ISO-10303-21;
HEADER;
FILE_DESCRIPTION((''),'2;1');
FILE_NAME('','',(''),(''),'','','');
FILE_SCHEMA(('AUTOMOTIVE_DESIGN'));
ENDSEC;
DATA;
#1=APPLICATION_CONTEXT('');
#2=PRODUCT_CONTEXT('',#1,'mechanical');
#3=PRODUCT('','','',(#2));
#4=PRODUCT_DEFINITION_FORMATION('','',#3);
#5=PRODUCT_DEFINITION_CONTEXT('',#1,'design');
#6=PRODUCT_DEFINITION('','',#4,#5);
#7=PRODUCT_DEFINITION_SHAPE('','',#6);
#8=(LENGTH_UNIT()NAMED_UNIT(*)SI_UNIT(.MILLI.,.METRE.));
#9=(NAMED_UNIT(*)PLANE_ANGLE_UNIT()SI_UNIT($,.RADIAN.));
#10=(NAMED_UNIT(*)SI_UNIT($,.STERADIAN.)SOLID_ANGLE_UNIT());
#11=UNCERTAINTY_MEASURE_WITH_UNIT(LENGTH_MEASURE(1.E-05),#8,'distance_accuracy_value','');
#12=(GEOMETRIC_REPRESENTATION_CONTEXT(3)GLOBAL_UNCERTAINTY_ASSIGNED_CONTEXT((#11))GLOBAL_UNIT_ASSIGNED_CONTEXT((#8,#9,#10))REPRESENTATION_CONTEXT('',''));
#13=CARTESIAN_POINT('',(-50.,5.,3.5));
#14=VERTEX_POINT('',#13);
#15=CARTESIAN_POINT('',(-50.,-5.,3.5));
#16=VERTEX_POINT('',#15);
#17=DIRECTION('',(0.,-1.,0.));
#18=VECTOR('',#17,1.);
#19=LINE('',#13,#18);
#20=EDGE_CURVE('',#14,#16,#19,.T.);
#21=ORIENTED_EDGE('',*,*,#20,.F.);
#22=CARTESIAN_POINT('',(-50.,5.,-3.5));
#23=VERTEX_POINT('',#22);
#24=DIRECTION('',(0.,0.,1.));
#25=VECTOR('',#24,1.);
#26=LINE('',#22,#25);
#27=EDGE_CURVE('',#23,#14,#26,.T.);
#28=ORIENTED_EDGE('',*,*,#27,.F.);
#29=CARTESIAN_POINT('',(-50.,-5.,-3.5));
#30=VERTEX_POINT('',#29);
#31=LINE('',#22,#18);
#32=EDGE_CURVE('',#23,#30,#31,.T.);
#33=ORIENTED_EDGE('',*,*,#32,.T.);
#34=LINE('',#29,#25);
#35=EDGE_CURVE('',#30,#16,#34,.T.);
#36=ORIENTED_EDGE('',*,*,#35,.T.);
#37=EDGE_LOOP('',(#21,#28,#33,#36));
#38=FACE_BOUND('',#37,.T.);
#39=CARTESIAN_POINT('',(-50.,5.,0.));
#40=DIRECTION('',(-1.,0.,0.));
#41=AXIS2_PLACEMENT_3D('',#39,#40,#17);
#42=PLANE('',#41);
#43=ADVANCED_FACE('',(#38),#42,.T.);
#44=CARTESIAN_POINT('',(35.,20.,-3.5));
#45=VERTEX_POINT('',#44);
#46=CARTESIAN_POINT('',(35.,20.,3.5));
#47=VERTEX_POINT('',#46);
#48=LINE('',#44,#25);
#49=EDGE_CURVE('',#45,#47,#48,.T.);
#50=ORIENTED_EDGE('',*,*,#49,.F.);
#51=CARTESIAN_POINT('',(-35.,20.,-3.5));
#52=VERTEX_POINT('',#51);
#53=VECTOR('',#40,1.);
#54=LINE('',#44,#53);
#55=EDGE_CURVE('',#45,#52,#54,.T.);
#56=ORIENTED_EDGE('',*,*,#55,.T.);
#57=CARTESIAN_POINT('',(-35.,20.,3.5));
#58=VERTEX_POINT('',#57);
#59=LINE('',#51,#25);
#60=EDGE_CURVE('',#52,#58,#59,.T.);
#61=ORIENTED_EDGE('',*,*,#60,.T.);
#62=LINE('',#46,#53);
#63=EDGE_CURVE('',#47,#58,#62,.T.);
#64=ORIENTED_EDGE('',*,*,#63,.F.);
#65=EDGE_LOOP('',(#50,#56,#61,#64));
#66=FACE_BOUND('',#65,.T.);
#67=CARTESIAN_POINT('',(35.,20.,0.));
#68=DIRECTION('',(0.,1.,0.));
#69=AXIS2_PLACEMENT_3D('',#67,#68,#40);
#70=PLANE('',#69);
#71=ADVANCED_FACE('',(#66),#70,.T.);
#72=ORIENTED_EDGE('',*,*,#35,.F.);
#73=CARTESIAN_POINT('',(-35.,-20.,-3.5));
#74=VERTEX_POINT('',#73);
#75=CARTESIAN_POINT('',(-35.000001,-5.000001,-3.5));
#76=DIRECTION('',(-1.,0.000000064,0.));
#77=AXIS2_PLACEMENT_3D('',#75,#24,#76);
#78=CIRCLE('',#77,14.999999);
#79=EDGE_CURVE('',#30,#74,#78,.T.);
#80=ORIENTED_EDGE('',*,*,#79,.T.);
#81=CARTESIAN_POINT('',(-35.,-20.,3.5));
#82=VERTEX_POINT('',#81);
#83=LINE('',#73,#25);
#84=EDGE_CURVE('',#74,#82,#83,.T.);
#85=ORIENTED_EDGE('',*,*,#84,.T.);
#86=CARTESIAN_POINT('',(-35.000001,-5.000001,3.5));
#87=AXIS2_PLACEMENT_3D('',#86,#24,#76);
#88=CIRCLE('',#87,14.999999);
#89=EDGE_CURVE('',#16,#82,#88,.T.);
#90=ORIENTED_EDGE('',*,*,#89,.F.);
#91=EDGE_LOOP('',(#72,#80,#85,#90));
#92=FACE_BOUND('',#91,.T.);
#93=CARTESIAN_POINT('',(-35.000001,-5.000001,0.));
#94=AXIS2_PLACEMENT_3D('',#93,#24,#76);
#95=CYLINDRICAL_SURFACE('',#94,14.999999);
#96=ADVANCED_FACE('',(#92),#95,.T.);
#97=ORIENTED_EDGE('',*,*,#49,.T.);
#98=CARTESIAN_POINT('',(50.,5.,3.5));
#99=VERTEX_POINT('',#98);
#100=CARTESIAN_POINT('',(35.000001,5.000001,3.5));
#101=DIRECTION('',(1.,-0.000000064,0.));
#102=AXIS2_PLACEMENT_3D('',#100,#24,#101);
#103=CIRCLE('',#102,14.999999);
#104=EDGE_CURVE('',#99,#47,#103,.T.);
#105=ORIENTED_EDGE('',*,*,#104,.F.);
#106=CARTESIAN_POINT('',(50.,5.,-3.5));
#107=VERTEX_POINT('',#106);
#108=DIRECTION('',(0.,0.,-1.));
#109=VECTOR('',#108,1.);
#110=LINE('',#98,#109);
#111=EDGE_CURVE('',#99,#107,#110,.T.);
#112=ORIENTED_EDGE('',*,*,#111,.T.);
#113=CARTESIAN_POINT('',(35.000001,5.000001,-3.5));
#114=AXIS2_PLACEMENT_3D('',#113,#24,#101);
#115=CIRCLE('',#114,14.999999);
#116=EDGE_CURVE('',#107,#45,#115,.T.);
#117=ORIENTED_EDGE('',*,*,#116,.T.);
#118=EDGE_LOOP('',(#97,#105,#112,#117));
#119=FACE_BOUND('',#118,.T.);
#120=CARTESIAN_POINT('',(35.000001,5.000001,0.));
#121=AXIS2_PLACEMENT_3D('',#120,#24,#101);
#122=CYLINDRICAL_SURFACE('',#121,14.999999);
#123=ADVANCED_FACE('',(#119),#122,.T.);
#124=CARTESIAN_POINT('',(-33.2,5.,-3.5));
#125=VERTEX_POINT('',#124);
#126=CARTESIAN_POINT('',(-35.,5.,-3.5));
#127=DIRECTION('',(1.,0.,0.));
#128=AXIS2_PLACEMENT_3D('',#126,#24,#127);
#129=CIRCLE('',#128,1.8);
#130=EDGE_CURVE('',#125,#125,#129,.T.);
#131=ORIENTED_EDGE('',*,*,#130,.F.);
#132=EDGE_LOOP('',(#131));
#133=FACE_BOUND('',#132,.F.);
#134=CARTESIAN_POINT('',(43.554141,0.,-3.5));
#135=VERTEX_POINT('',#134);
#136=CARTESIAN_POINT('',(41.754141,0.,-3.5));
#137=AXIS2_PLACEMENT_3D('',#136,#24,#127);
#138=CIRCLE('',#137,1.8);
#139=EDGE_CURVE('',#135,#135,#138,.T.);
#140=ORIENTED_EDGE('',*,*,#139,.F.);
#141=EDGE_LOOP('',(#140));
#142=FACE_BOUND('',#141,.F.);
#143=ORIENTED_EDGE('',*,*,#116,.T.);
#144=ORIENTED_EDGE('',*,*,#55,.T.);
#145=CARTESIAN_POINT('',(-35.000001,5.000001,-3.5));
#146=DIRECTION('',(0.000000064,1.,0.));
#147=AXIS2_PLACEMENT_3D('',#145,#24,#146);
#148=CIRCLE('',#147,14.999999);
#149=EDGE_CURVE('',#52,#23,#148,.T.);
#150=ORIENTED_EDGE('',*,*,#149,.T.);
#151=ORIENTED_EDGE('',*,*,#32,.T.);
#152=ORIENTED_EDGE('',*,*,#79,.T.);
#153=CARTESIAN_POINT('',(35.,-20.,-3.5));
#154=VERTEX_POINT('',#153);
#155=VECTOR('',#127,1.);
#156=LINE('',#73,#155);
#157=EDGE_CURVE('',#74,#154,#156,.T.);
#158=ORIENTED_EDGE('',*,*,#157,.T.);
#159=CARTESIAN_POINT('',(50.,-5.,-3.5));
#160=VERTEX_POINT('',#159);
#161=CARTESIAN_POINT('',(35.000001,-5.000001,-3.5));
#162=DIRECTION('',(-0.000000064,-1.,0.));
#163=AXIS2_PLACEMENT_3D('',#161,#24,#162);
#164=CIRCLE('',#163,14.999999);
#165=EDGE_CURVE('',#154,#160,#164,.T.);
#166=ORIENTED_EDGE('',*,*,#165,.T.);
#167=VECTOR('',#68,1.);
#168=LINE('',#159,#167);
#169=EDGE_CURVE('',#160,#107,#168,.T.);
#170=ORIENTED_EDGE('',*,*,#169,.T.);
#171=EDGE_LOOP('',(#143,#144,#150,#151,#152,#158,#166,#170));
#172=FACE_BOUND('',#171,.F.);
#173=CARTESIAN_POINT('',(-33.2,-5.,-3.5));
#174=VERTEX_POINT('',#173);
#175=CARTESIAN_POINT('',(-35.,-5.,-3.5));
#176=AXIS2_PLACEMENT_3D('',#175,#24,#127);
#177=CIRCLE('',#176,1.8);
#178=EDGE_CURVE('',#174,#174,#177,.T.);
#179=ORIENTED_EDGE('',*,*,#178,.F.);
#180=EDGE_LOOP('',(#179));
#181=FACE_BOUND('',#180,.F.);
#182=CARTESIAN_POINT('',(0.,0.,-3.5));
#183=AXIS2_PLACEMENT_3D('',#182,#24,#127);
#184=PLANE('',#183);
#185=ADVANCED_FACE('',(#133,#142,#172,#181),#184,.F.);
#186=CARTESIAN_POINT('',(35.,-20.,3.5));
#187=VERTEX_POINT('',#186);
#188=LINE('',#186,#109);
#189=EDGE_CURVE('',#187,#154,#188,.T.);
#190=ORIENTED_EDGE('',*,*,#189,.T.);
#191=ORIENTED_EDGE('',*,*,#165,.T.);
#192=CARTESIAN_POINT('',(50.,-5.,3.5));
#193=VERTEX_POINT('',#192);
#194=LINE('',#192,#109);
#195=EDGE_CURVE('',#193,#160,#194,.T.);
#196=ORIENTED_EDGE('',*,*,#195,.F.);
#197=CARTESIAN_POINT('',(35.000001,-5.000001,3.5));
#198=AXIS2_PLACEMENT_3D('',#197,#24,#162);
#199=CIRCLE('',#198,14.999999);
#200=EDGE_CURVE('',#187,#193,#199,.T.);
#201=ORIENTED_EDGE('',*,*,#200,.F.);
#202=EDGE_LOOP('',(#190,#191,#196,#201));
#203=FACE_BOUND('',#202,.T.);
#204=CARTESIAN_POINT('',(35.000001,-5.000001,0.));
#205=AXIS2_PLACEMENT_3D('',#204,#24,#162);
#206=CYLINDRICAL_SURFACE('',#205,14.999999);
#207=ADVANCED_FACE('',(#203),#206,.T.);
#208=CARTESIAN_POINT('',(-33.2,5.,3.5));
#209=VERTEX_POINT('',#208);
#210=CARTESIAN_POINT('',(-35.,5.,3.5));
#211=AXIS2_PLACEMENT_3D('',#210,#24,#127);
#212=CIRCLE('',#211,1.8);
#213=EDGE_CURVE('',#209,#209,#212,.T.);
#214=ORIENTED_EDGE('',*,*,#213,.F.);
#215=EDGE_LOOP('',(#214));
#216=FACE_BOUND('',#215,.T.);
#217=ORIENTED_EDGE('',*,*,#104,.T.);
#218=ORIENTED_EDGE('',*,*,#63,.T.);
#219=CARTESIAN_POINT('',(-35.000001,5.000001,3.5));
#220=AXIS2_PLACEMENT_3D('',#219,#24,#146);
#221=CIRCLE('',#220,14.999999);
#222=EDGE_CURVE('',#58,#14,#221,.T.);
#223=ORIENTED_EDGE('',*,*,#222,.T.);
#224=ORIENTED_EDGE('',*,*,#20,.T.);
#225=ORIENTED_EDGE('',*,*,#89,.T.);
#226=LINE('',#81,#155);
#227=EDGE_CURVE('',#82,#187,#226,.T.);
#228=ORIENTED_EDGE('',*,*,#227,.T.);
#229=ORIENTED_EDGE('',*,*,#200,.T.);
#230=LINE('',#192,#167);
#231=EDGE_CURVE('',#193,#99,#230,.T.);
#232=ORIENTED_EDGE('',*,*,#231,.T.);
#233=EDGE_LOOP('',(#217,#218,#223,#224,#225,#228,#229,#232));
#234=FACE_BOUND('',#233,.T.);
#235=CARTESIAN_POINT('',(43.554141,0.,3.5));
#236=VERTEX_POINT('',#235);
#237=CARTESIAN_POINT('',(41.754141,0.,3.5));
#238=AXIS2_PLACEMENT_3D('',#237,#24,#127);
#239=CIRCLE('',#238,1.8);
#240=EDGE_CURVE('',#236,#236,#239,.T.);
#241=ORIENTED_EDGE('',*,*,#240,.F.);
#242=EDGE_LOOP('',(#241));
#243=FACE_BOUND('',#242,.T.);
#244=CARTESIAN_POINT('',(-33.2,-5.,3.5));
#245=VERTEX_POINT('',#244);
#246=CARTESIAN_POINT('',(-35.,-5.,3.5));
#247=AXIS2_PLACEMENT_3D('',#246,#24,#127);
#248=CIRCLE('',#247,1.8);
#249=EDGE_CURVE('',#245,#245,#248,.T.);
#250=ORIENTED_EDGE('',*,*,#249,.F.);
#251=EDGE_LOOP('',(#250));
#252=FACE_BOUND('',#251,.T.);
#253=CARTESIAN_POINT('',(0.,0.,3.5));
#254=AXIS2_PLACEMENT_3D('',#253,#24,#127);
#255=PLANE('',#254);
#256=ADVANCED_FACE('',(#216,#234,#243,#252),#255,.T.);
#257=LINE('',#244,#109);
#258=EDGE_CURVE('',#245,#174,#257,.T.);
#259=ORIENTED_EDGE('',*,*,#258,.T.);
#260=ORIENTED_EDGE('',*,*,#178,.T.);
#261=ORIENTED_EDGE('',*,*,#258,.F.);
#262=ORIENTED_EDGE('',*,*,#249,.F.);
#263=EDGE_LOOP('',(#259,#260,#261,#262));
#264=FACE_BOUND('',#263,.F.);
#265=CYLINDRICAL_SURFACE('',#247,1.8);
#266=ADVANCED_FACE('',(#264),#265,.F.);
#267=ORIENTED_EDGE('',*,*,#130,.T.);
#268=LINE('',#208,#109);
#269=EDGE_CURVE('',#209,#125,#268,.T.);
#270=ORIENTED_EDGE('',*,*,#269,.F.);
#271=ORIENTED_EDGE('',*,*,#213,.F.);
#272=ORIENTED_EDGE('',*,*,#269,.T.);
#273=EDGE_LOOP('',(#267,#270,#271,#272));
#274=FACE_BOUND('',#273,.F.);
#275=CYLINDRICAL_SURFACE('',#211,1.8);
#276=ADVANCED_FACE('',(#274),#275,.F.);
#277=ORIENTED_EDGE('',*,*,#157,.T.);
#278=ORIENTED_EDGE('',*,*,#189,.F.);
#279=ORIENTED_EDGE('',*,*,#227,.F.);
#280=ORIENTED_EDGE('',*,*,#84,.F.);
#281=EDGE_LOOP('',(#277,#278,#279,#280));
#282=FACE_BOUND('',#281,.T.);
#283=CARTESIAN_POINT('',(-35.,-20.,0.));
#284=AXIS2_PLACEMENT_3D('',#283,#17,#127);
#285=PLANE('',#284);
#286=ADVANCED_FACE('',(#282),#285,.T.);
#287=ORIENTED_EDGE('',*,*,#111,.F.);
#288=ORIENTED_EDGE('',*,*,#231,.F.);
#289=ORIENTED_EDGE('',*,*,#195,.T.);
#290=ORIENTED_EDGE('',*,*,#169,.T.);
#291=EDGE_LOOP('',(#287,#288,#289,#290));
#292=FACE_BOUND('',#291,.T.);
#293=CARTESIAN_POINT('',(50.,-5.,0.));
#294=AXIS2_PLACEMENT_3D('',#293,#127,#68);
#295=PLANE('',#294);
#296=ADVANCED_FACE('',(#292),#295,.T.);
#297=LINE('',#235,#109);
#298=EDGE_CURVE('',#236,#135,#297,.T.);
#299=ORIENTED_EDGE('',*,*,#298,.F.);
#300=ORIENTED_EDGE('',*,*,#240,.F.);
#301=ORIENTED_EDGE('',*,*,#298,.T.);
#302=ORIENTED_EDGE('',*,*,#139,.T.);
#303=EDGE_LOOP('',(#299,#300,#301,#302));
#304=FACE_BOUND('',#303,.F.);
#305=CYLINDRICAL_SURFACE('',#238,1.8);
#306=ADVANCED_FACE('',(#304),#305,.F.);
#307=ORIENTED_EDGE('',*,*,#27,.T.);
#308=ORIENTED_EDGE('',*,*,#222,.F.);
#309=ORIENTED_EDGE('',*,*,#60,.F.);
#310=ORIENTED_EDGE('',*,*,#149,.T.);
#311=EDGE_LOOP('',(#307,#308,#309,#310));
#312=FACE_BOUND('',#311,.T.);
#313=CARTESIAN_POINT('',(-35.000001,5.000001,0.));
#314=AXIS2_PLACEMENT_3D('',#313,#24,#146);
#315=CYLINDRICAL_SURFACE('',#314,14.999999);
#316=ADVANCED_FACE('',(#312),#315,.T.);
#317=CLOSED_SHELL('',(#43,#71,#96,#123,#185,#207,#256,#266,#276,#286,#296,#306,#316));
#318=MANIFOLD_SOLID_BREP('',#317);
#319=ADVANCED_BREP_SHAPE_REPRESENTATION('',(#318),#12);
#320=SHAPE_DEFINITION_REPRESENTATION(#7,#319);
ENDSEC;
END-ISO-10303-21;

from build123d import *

# Parameters (mm, degrees)
F1_DEPTH = 3.5
F2_R     = 1.8
F3_DEPTH = 8
F4_R     = 1.8
F5_DEPTH = 8000


with BuildPart() as f1:
    # F0 (on Top) → F1 (new body, symmetric)
    with BuildSketch(Plane.XY):
        with BuildLine():
            ThreePointArc((50, 5), (45.606602, 15.606602), (35, 20))
            Line((35, 20), (-35, 20))
            ThreePointArc((-35, 20), (-45.606602, 15.606602), (-50, 5))
            Line((-50, 5), (-50, -5))
            ThreePointArc((-50, -5), (-45.606602, -15.606602), (-35, -20))
            Line((-35, -20), (35, -20))
            ThreePointArc((35, -20), (45.606602, -15.606602), (50, -5))
            Line((50, -5), (50, 5))
        make_face()
    extrude(amount=F1_DEPTH, both=True)

    # F2 (on face) → F3 (cut)
    with BuildSketch(Plane.XY.offset(3.5)):
        with Locations((-35, 5)):
            Circle(F2_R)
        with Locations((-35, -5)):
            Circle(F2_R)
    extrude(amount=-F3_DEPTH, mode=Mode.SUBTRACT)

    # F4 (on face) → F5 (cut)
    with BuildSketch(Plane.XY.offset(3.5)):
        with Locations((41.754141, 0)):
            Circle(F4_R)
    extrude(amount=-F5_DEPTH, mode=Mode.SUBTRACT)


solid = f1.part
